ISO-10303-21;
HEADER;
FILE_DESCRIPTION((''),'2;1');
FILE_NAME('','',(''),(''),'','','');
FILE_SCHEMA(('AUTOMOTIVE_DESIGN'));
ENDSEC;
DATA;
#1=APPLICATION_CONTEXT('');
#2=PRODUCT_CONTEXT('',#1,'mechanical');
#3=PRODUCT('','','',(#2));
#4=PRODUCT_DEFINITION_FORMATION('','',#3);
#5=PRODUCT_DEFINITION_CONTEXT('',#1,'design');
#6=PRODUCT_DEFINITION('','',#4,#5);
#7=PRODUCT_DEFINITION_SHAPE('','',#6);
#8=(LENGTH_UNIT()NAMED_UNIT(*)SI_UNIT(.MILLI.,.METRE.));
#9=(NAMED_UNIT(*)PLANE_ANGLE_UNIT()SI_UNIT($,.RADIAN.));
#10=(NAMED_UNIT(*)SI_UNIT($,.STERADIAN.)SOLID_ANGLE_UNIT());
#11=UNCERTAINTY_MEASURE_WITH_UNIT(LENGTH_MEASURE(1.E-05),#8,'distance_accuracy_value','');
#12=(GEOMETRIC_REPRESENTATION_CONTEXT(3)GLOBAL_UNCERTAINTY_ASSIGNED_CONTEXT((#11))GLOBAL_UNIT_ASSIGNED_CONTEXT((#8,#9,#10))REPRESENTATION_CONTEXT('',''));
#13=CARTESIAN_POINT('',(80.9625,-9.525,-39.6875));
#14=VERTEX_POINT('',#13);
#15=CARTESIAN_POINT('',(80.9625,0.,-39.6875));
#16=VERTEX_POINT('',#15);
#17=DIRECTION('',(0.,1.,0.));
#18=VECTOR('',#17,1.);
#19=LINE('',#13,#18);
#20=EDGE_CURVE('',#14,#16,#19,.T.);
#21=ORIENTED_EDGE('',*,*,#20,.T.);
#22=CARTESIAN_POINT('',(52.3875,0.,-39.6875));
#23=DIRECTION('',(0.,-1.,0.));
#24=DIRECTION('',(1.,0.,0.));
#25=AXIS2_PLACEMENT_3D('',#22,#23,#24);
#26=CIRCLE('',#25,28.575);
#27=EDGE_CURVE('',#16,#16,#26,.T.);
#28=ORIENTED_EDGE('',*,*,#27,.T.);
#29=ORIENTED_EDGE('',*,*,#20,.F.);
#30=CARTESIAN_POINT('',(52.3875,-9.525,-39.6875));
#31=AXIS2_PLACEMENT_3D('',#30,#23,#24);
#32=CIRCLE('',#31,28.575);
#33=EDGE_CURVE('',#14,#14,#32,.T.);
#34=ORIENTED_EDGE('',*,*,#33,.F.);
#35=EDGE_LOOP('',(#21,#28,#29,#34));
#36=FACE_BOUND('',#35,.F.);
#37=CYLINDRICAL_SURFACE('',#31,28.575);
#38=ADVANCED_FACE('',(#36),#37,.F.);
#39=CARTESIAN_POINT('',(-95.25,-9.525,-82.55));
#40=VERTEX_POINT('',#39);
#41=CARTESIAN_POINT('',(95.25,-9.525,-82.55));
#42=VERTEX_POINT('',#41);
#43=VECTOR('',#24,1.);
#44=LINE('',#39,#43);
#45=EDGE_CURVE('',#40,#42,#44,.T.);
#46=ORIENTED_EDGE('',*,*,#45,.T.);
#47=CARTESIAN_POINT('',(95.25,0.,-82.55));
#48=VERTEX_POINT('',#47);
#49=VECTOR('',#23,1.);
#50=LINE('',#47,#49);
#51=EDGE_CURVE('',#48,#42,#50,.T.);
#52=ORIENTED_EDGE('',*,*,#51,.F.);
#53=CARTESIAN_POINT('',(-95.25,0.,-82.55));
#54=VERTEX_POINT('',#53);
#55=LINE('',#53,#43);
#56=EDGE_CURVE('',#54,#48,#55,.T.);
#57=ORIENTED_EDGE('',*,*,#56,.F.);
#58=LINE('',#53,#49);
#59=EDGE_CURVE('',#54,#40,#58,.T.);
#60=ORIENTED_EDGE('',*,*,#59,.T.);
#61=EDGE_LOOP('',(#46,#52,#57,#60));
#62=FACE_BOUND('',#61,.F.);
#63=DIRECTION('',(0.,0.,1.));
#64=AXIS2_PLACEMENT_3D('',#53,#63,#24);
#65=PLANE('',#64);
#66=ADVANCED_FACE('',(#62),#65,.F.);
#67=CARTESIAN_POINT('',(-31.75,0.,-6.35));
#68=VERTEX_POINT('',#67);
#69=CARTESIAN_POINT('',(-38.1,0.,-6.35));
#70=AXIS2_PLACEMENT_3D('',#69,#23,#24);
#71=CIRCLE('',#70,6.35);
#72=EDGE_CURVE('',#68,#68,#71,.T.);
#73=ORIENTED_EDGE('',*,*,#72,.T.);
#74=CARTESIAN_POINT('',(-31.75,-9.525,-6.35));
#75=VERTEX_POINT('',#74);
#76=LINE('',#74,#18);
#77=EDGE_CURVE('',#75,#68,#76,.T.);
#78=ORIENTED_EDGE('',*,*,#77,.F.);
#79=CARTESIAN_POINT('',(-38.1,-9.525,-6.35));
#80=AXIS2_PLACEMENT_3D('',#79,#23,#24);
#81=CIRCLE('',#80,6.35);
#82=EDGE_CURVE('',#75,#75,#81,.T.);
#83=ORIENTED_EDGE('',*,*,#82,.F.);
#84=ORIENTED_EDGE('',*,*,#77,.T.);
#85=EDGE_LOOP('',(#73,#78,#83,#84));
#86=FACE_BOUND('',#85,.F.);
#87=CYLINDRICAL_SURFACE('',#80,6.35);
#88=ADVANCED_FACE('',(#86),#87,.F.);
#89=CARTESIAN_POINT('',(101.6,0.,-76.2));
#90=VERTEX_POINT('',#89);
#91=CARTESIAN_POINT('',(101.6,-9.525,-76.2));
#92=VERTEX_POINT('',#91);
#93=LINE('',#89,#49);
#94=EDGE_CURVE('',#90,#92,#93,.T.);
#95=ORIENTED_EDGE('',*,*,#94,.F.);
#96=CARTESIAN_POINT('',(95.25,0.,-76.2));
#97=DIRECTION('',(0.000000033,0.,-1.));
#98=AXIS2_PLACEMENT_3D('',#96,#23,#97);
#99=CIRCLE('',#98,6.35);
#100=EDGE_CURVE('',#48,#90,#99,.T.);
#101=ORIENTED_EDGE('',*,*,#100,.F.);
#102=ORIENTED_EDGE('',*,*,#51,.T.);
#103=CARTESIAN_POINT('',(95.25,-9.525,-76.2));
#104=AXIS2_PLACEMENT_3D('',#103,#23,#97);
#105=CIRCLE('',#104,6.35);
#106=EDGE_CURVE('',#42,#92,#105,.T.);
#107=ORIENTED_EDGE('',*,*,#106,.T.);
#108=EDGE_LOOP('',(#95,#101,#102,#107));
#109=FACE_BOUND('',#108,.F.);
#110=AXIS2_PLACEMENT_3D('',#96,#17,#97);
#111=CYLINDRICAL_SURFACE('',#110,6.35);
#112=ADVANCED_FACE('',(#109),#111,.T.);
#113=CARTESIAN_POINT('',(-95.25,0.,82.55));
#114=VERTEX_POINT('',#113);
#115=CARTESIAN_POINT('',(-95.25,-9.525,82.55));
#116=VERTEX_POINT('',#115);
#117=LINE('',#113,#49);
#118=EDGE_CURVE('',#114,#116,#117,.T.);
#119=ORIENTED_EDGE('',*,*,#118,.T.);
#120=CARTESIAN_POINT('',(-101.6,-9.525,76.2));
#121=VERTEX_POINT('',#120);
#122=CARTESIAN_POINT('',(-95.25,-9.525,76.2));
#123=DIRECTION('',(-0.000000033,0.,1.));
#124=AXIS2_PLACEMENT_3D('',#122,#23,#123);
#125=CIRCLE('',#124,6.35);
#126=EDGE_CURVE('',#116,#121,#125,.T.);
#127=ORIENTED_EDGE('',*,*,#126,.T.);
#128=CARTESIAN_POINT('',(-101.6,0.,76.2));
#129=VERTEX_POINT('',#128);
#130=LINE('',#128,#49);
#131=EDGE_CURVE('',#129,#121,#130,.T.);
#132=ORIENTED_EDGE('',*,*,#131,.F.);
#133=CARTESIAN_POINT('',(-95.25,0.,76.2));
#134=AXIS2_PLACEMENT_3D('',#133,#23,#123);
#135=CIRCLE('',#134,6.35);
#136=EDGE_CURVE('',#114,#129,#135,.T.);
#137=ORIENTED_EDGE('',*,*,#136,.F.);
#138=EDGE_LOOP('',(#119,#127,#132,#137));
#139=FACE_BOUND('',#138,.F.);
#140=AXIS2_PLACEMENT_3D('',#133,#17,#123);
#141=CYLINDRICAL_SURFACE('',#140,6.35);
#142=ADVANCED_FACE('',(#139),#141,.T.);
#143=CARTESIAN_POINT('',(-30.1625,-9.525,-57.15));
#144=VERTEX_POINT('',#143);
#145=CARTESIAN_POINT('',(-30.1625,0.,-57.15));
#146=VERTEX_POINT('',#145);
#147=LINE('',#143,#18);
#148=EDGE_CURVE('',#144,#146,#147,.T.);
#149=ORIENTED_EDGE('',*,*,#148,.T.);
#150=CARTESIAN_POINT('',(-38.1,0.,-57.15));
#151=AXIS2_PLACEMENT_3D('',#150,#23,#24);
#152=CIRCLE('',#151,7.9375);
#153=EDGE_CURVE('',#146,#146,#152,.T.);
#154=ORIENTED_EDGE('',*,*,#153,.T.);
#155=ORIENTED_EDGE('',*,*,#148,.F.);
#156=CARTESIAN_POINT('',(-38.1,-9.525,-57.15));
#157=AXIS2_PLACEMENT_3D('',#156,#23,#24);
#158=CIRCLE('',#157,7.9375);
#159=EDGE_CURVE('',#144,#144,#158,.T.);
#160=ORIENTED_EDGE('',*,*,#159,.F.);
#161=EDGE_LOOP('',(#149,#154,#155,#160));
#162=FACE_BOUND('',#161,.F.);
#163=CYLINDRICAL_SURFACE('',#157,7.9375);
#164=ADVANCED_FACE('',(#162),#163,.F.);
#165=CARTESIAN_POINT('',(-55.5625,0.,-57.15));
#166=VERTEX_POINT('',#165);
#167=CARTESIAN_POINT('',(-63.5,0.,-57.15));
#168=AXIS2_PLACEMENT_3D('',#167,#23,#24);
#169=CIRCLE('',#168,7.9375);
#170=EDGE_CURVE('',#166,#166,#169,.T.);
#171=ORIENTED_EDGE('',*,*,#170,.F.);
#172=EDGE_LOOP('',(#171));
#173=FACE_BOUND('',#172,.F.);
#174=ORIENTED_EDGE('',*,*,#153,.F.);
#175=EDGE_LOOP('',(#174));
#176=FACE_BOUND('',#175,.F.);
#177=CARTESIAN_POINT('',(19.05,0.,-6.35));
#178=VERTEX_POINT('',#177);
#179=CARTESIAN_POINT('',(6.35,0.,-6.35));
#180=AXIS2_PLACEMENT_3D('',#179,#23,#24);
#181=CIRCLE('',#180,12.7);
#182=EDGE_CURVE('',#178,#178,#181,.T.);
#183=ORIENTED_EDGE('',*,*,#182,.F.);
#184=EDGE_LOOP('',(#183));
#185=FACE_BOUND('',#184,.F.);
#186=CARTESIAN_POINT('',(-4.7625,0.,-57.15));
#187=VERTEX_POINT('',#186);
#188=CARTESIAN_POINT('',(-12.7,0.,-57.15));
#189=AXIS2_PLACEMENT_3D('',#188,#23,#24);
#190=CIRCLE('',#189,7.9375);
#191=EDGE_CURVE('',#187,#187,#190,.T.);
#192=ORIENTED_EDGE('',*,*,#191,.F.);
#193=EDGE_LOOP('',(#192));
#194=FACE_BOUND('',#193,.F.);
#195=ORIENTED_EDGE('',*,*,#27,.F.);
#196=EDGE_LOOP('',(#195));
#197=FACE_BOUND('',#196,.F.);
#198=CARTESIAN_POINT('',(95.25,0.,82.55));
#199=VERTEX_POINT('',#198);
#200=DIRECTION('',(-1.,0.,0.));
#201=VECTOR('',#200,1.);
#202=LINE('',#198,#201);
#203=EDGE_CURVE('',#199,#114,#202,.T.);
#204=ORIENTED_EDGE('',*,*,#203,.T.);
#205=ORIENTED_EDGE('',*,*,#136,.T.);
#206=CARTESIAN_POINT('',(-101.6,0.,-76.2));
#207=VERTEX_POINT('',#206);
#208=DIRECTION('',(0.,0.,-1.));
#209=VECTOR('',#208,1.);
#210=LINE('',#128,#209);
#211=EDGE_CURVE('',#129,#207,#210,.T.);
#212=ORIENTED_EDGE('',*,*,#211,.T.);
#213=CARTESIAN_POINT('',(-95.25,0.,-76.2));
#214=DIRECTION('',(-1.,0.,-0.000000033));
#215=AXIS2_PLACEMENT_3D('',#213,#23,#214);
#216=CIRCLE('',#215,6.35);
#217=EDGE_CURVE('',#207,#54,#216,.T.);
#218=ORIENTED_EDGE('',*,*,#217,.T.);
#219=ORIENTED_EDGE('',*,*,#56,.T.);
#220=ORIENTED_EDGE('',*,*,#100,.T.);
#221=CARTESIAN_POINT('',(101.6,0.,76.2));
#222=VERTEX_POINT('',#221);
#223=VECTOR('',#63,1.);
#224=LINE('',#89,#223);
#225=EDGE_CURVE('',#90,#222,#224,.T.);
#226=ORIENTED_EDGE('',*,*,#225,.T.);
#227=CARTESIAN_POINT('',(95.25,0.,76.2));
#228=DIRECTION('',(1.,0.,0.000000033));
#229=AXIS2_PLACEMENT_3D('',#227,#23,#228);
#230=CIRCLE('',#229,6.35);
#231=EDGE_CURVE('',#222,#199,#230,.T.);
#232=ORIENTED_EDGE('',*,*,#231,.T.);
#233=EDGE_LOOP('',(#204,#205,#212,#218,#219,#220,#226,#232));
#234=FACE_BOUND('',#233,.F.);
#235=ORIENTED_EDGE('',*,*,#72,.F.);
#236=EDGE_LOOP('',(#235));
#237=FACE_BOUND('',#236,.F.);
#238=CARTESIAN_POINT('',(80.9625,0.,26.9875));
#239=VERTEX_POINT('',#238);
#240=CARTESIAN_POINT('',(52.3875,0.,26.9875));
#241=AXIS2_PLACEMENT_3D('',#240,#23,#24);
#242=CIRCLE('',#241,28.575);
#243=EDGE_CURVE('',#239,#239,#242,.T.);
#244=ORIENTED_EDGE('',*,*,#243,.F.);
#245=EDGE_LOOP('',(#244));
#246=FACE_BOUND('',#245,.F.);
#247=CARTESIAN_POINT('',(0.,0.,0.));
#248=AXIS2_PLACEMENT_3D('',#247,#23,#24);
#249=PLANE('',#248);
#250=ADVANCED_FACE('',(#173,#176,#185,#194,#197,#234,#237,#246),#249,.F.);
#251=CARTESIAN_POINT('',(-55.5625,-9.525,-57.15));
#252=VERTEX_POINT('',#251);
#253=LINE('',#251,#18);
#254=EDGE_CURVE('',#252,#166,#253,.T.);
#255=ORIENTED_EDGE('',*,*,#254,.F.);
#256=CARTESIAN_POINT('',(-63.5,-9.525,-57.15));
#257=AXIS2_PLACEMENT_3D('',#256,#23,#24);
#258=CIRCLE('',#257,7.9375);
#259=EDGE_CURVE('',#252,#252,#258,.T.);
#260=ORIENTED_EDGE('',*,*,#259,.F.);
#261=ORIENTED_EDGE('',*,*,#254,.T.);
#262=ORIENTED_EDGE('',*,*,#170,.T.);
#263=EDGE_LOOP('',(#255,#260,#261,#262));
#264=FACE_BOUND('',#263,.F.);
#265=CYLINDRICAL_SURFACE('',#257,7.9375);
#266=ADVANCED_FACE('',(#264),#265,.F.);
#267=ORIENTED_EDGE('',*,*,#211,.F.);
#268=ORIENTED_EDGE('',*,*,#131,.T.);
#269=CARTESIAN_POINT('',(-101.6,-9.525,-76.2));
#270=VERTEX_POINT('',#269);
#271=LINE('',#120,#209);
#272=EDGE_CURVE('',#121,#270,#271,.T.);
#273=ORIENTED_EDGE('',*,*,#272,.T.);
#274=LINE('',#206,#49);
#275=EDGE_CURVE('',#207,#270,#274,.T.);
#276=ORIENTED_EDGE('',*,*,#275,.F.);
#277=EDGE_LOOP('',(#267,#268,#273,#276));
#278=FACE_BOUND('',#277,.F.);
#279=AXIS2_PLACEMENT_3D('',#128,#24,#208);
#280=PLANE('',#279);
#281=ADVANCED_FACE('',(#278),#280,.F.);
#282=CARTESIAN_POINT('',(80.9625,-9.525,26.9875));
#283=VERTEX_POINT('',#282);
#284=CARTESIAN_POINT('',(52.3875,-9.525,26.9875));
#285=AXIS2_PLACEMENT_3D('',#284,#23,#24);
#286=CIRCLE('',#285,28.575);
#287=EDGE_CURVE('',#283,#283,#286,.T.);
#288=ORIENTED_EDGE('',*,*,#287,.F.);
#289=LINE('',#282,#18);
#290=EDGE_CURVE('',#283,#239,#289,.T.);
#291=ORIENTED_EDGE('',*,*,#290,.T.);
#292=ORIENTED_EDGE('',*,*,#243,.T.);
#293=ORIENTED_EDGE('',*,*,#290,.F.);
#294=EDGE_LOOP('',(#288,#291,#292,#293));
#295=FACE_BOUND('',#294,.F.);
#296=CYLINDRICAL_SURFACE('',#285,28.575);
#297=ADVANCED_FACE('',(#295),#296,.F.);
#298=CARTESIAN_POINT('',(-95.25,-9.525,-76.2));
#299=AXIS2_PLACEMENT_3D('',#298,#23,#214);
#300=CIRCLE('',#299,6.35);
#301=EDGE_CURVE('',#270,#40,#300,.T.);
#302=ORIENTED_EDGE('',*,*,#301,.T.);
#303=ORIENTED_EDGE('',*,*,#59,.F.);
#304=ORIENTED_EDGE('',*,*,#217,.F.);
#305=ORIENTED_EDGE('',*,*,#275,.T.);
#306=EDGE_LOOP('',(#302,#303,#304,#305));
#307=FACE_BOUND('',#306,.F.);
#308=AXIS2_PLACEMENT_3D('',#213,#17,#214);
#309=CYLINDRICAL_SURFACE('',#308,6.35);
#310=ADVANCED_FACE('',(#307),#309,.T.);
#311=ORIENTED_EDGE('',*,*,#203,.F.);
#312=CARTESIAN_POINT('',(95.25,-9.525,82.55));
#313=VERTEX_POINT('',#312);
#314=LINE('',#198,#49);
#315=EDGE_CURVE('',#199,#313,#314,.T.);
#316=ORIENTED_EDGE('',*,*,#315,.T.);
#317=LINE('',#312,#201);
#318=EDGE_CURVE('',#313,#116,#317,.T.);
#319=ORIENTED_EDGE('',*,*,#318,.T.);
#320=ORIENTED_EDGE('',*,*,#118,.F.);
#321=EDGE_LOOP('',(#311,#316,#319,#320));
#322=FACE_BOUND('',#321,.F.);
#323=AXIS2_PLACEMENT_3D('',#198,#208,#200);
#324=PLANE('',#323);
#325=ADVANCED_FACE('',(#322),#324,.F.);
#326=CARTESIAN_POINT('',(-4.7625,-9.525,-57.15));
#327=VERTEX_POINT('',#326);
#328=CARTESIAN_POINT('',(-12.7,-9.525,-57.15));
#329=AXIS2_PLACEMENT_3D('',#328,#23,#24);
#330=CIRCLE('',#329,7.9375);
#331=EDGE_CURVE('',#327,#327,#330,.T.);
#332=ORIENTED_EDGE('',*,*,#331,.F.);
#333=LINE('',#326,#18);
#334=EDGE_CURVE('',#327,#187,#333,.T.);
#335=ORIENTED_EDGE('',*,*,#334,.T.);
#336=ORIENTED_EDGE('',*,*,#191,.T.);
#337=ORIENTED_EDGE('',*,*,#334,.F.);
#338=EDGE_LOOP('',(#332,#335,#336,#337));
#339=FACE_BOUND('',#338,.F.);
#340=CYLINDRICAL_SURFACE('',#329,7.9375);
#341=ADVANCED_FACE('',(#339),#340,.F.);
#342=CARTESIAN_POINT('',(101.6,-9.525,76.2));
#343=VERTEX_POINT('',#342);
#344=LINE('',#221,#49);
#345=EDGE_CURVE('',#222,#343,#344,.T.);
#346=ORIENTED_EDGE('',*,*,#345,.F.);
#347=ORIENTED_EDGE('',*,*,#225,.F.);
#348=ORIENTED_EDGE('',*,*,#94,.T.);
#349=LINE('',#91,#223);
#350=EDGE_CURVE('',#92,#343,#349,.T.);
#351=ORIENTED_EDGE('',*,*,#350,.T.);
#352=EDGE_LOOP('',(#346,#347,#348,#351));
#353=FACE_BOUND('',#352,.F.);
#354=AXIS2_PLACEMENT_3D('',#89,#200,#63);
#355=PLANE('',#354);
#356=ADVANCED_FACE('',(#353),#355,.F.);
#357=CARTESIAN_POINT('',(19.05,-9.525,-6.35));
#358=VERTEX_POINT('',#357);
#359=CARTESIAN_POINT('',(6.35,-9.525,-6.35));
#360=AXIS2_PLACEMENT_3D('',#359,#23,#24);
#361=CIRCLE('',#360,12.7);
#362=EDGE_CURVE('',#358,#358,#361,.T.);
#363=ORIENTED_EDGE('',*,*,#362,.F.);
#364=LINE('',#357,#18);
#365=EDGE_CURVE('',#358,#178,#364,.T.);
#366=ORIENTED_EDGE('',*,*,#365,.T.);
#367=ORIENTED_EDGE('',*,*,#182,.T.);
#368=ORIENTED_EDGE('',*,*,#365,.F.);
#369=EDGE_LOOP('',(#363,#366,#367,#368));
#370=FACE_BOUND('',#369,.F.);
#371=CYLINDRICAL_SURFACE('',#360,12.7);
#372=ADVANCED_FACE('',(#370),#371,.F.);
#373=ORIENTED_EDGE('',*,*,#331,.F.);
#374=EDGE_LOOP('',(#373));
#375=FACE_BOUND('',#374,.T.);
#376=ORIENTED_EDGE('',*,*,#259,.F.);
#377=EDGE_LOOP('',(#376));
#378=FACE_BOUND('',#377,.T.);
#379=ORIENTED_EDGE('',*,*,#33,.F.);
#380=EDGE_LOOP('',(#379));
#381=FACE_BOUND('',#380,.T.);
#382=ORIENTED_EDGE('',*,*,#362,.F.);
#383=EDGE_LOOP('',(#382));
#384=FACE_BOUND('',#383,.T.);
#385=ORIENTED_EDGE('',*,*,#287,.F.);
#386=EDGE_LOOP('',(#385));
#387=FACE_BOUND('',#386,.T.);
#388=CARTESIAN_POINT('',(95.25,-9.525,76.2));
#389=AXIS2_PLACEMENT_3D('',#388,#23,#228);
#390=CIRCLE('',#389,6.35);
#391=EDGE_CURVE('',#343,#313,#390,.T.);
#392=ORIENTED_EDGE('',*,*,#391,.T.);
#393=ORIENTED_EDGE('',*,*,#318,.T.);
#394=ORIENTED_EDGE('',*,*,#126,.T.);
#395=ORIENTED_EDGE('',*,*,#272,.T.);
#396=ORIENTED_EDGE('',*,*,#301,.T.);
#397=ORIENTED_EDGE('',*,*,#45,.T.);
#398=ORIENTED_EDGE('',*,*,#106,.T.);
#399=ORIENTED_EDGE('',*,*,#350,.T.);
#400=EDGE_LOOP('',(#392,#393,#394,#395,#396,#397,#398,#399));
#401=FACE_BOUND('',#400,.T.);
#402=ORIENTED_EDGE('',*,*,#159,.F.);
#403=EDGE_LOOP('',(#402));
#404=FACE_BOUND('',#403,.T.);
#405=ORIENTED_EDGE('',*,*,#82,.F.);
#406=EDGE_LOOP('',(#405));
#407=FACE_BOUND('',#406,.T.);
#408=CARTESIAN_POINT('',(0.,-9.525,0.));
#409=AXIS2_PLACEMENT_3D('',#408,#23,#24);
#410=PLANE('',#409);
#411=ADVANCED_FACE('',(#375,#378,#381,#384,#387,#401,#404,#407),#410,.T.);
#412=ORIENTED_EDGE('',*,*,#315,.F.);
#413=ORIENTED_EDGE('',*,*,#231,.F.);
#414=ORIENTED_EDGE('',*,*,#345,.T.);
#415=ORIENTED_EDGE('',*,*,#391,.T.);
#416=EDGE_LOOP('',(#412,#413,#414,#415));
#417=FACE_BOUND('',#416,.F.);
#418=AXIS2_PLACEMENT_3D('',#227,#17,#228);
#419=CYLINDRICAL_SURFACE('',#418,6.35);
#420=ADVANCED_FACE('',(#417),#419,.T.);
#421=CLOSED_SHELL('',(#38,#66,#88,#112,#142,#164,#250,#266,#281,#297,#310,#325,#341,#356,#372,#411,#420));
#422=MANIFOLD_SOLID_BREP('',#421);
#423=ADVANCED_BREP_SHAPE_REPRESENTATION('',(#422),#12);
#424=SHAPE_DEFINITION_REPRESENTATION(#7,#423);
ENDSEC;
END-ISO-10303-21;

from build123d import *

# Parameters (mm, degrees)
F1_DEPTH = 9.525
F2_R     = 28.575
F3_R     = 7.9375
F5_R     = 6.35
F4_R     = 12.7
F6_DEPTH = 9.526


with BuildPart() as f1:
    # F0 (on Front) → F1 (new body)
    with BuildSketch(Plane.XZ):
        with BuildLine():
            Line((-95.25, -82.55), (95.25, -82.55))
            ThreePointArc((95.25, -82.55), (99.740128, -80.690128), (101.6, -76.2))
            Line((101.6, -76.2), (101.6, 76.2))
            ThreePointArc((101.6, 76.2), (99.740128, 80.690128), (95.25, 82.55))
            Line((95.25, 82.55), (-95.25, 82.55))
            ThreePointArc((-95.25, 82.55), (-99.740128, 80.690128), (-101.6, 76.2))
            Line((-101.6, 76.2), (-101.6, -76.2))
            ThreePointArc((-101.6, -76.2), (-99.740128, -80.690128), (-95.25, -82.55))
        make_face()
    extrude(amount=F1_DEPTH)

    # F2 (on face) + F3 (on face) + F5 (on face) + F4 (on face) → F6 (cut, through all)
    with BuildSketch(Plane.XZ.offset(9.525)):
        with Locations((52.3875, 26.9875)):
            Circle(F2_R)
        with Locations((52.3875, -39.6875)):
            Circle(F2_R)
    with BuildSketch(Plane.XZ.offset(9.525)):
        with Locations((-63.5, -57.15)):
            Circle(F3_R)
        with Locations((-38.1, -57.15)):
            Circle(F3_R)
        with Locations((-12.7, -57.15)):
            Circle(F3_R)
    with BuildSketch(Plane.XZ.offset(9.525)):
        with Locations((-38.1, -6.35)):
            Circle(F5_R)
    with BuildSketch(Plane.XZ.offset(9.525)):
        with Locations((6.35, -6.35)):
            Circle(F4_R)
    extrude(amount=-F6_DEPTH, mode=Mode.SUBTRACT)


solid = f1.part
